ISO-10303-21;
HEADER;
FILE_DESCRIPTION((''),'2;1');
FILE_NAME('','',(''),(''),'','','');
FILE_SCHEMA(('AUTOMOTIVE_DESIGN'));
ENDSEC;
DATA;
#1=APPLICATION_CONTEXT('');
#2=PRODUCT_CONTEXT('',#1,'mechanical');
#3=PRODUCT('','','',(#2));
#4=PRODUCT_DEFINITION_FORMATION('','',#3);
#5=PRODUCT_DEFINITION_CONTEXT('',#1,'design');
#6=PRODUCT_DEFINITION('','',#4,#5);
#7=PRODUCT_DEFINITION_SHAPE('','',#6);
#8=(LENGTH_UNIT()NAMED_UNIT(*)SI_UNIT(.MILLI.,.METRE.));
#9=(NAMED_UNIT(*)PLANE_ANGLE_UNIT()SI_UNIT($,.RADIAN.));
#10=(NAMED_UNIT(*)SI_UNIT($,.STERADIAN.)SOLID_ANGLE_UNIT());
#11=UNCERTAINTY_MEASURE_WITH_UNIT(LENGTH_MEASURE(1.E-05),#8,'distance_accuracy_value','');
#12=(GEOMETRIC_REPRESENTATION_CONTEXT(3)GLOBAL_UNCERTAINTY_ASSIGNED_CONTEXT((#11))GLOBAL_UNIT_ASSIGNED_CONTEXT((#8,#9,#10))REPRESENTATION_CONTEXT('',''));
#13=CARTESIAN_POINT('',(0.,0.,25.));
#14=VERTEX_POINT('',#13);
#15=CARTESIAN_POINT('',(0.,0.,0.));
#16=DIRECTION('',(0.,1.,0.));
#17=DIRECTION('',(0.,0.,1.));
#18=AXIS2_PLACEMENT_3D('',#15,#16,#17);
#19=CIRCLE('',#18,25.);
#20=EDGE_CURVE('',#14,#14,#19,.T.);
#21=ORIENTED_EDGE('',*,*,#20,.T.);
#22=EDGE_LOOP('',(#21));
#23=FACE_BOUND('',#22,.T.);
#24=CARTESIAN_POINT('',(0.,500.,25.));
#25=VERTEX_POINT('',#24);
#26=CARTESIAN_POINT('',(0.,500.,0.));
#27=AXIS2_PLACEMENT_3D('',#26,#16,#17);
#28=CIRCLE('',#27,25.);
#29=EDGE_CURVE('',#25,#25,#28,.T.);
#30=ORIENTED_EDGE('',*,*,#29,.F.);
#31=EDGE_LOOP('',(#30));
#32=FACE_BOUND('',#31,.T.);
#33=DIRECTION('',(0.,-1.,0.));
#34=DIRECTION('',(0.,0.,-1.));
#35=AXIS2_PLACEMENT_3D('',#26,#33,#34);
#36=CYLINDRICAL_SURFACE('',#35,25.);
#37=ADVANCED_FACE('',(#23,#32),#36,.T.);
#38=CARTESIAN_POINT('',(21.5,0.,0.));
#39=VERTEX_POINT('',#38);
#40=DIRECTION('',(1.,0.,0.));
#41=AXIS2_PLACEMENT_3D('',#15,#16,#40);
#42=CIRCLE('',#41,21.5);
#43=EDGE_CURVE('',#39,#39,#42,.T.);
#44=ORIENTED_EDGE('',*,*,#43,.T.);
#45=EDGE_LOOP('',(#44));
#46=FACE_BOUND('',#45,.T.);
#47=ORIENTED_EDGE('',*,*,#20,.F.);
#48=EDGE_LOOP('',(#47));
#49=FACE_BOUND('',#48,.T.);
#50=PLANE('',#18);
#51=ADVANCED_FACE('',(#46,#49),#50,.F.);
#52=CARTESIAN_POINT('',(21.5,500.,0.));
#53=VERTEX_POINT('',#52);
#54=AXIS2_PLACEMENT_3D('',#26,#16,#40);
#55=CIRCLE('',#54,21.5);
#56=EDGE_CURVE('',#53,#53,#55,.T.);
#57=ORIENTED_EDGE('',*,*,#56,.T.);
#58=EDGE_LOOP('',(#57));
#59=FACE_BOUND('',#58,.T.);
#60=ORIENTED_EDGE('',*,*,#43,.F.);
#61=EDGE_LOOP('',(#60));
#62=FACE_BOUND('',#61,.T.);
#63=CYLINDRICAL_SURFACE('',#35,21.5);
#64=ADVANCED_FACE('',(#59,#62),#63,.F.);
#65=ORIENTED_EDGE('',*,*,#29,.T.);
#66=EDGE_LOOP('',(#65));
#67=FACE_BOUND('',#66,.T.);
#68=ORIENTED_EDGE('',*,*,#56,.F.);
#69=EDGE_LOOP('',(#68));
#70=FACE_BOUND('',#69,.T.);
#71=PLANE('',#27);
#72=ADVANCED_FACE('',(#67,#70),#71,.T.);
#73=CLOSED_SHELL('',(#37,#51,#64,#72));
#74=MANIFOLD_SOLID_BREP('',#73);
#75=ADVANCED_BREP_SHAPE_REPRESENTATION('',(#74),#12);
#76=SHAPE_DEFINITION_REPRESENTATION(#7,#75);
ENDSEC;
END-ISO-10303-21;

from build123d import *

# Parameters (mm, degrees)
SKETCH_1_R      = 25
SKETCH_1_R_2    = 21.5
EXTRUDE_1_DEPTH = 500


with BuildPart() as part:
    # Эскиз1 → Вытянуть-Тонкостенный1 (new body)
    with BuildSketch(Plane(origin=(0, 0, 0), x_dir=(1, 0, 0), z_dir=(0, 1, 0))):
        Circle(SKETCH_1_R)
        Circle(SKETCH_1_R_2, mode=Mode.SUBTRACT)
    extrude(amount=EXTRUDE_1_DEPTH)


solid = part.part
